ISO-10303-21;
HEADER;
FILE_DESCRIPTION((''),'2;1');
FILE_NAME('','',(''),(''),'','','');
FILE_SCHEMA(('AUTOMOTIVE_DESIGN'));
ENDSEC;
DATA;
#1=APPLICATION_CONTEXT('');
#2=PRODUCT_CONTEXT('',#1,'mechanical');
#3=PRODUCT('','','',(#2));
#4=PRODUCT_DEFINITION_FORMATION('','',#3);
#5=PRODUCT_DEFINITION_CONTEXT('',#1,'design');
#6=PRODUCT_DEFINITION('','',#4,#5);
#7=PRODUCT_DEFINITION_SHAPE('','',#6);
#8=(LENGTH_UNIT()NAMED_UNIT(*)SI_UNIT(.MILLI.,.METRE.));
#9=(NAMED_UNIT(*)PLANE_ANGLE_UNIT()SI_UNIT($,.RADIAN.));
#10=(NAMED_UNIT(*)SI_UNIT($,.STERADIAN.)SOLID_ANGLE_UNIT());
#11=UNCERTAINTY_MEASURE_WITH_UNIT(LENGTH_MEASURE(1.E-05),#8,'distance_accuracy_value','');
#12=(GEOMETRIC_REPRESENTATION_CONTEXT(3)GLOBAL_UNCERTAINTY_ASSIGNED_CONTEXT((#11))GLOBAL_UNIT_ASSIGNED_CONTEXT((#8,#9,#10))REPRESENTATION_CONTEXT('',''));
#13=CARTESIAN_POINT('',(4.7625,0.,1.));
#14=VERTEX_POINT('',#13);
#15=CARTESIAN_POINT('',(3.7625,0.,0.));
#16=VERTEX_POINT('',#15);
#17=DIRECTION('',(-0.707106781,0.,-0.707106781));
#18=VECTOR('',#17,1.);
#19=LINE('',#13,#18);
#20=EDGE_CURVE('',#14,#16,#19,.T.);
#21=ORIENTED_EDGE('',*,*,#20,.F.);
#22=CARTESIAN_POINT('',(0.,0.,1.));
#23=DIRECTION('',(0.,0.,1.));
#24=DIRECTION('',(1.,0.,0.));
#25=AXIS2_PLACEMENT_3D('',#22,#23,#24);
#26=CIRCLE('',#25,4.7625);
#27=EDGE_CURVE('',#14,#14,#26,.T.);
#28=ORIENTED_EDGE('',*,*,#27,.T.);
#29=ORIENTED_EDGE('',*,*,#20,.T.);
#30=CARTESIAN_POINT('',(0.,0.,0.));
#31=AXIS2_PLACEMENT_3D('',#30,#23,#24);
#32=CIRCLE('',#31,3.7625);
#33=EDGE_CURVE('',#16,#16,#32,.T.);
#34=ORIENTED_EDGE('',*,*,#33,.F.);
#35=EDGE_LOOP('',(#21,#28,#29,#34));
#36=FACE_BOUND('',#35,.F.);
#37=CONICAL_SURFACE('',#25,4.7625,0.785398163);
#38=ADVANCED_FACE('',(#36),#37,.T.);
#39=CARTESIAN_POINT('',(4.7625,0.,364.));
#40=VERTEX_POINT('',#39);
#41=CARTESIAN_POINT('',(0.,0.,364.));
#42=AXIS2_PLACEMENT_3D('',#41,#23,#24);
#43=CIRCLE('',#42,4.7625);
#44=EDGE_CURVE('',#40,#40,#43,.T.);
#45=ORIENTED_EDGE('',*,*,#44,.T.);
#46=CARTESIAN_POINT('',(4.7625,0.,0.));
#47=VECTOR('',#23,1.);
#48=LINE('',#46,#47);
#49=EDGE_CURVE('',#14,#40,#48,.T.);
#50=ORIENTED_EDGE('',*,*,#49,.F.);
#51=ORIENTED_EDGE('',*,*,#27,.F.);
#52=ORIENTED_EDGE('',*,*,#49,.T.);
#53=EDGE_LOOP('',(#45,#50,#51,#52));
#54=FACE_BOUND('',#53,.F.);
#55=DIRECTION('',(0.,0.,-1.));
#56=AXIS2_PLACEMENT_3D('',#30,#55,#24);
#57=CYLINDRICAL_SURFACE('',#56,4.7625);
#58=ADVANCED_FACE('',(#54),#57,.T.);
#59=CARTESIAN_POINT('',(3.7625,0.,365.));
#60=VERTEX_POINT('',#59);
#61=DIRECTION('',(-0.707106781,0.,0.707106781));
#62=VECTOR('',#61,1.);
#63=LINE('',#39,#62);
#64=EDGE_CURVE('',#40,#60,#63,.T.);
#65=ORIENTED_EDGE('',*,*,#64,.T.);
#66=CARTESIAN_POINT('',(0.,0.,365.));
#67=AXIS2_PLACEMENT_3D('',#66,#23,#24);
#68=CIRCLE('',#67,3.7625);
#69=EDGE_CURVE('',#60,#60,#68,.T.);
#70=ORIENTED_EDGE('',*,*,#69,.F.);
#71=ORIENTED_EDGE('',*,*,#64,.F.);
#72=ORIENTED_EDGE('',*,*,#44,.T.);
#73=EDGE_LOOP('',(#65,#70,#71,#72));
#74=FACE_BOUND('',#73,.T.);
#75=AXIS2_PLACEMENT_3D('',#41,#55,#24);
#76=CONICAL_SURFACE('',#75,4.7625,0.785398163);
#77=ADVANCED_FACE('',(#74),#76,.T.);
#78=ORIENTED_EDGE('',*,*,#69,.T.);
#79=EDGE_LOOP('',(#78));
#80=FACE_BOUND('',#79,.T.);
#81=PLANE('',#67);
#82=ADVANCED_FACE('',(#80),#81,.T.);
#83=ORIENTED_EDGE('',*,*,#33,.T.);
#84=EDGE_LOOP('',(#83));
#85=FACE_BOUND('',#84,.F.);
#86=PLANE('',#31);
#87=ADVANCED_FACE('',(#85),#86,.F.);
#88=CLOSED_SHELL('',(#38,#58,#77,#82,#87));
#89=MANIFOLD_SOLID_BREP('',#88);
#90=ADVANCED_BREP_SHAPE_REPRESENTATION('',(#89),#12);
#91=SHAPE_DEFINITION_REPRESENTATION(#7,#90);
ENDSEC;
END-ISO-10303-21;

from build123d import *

# Parameters (mm, degrees)
SKETCH_R     = 4.7625
PAD_DEPTH    = 365
CHAMFER_SIZE = 1


with BuildPart() as part:
    # Sketch → Pad (new body)
    with BuildSketch(Plane.XY):
        Circle(SKETCH_R)
    extrude(amount=PAD_DEPTH)

    # Chamfer
    chamfer_edges = [part.edges().sort_by_distance(p)[0] for p in [
        (-4.7625, 0, 365),
        (-4.7625, 0, 0),
    ]]
    chamfer(chamfer_edges, length=CHAMFER_SIZE)


solid = part.part
